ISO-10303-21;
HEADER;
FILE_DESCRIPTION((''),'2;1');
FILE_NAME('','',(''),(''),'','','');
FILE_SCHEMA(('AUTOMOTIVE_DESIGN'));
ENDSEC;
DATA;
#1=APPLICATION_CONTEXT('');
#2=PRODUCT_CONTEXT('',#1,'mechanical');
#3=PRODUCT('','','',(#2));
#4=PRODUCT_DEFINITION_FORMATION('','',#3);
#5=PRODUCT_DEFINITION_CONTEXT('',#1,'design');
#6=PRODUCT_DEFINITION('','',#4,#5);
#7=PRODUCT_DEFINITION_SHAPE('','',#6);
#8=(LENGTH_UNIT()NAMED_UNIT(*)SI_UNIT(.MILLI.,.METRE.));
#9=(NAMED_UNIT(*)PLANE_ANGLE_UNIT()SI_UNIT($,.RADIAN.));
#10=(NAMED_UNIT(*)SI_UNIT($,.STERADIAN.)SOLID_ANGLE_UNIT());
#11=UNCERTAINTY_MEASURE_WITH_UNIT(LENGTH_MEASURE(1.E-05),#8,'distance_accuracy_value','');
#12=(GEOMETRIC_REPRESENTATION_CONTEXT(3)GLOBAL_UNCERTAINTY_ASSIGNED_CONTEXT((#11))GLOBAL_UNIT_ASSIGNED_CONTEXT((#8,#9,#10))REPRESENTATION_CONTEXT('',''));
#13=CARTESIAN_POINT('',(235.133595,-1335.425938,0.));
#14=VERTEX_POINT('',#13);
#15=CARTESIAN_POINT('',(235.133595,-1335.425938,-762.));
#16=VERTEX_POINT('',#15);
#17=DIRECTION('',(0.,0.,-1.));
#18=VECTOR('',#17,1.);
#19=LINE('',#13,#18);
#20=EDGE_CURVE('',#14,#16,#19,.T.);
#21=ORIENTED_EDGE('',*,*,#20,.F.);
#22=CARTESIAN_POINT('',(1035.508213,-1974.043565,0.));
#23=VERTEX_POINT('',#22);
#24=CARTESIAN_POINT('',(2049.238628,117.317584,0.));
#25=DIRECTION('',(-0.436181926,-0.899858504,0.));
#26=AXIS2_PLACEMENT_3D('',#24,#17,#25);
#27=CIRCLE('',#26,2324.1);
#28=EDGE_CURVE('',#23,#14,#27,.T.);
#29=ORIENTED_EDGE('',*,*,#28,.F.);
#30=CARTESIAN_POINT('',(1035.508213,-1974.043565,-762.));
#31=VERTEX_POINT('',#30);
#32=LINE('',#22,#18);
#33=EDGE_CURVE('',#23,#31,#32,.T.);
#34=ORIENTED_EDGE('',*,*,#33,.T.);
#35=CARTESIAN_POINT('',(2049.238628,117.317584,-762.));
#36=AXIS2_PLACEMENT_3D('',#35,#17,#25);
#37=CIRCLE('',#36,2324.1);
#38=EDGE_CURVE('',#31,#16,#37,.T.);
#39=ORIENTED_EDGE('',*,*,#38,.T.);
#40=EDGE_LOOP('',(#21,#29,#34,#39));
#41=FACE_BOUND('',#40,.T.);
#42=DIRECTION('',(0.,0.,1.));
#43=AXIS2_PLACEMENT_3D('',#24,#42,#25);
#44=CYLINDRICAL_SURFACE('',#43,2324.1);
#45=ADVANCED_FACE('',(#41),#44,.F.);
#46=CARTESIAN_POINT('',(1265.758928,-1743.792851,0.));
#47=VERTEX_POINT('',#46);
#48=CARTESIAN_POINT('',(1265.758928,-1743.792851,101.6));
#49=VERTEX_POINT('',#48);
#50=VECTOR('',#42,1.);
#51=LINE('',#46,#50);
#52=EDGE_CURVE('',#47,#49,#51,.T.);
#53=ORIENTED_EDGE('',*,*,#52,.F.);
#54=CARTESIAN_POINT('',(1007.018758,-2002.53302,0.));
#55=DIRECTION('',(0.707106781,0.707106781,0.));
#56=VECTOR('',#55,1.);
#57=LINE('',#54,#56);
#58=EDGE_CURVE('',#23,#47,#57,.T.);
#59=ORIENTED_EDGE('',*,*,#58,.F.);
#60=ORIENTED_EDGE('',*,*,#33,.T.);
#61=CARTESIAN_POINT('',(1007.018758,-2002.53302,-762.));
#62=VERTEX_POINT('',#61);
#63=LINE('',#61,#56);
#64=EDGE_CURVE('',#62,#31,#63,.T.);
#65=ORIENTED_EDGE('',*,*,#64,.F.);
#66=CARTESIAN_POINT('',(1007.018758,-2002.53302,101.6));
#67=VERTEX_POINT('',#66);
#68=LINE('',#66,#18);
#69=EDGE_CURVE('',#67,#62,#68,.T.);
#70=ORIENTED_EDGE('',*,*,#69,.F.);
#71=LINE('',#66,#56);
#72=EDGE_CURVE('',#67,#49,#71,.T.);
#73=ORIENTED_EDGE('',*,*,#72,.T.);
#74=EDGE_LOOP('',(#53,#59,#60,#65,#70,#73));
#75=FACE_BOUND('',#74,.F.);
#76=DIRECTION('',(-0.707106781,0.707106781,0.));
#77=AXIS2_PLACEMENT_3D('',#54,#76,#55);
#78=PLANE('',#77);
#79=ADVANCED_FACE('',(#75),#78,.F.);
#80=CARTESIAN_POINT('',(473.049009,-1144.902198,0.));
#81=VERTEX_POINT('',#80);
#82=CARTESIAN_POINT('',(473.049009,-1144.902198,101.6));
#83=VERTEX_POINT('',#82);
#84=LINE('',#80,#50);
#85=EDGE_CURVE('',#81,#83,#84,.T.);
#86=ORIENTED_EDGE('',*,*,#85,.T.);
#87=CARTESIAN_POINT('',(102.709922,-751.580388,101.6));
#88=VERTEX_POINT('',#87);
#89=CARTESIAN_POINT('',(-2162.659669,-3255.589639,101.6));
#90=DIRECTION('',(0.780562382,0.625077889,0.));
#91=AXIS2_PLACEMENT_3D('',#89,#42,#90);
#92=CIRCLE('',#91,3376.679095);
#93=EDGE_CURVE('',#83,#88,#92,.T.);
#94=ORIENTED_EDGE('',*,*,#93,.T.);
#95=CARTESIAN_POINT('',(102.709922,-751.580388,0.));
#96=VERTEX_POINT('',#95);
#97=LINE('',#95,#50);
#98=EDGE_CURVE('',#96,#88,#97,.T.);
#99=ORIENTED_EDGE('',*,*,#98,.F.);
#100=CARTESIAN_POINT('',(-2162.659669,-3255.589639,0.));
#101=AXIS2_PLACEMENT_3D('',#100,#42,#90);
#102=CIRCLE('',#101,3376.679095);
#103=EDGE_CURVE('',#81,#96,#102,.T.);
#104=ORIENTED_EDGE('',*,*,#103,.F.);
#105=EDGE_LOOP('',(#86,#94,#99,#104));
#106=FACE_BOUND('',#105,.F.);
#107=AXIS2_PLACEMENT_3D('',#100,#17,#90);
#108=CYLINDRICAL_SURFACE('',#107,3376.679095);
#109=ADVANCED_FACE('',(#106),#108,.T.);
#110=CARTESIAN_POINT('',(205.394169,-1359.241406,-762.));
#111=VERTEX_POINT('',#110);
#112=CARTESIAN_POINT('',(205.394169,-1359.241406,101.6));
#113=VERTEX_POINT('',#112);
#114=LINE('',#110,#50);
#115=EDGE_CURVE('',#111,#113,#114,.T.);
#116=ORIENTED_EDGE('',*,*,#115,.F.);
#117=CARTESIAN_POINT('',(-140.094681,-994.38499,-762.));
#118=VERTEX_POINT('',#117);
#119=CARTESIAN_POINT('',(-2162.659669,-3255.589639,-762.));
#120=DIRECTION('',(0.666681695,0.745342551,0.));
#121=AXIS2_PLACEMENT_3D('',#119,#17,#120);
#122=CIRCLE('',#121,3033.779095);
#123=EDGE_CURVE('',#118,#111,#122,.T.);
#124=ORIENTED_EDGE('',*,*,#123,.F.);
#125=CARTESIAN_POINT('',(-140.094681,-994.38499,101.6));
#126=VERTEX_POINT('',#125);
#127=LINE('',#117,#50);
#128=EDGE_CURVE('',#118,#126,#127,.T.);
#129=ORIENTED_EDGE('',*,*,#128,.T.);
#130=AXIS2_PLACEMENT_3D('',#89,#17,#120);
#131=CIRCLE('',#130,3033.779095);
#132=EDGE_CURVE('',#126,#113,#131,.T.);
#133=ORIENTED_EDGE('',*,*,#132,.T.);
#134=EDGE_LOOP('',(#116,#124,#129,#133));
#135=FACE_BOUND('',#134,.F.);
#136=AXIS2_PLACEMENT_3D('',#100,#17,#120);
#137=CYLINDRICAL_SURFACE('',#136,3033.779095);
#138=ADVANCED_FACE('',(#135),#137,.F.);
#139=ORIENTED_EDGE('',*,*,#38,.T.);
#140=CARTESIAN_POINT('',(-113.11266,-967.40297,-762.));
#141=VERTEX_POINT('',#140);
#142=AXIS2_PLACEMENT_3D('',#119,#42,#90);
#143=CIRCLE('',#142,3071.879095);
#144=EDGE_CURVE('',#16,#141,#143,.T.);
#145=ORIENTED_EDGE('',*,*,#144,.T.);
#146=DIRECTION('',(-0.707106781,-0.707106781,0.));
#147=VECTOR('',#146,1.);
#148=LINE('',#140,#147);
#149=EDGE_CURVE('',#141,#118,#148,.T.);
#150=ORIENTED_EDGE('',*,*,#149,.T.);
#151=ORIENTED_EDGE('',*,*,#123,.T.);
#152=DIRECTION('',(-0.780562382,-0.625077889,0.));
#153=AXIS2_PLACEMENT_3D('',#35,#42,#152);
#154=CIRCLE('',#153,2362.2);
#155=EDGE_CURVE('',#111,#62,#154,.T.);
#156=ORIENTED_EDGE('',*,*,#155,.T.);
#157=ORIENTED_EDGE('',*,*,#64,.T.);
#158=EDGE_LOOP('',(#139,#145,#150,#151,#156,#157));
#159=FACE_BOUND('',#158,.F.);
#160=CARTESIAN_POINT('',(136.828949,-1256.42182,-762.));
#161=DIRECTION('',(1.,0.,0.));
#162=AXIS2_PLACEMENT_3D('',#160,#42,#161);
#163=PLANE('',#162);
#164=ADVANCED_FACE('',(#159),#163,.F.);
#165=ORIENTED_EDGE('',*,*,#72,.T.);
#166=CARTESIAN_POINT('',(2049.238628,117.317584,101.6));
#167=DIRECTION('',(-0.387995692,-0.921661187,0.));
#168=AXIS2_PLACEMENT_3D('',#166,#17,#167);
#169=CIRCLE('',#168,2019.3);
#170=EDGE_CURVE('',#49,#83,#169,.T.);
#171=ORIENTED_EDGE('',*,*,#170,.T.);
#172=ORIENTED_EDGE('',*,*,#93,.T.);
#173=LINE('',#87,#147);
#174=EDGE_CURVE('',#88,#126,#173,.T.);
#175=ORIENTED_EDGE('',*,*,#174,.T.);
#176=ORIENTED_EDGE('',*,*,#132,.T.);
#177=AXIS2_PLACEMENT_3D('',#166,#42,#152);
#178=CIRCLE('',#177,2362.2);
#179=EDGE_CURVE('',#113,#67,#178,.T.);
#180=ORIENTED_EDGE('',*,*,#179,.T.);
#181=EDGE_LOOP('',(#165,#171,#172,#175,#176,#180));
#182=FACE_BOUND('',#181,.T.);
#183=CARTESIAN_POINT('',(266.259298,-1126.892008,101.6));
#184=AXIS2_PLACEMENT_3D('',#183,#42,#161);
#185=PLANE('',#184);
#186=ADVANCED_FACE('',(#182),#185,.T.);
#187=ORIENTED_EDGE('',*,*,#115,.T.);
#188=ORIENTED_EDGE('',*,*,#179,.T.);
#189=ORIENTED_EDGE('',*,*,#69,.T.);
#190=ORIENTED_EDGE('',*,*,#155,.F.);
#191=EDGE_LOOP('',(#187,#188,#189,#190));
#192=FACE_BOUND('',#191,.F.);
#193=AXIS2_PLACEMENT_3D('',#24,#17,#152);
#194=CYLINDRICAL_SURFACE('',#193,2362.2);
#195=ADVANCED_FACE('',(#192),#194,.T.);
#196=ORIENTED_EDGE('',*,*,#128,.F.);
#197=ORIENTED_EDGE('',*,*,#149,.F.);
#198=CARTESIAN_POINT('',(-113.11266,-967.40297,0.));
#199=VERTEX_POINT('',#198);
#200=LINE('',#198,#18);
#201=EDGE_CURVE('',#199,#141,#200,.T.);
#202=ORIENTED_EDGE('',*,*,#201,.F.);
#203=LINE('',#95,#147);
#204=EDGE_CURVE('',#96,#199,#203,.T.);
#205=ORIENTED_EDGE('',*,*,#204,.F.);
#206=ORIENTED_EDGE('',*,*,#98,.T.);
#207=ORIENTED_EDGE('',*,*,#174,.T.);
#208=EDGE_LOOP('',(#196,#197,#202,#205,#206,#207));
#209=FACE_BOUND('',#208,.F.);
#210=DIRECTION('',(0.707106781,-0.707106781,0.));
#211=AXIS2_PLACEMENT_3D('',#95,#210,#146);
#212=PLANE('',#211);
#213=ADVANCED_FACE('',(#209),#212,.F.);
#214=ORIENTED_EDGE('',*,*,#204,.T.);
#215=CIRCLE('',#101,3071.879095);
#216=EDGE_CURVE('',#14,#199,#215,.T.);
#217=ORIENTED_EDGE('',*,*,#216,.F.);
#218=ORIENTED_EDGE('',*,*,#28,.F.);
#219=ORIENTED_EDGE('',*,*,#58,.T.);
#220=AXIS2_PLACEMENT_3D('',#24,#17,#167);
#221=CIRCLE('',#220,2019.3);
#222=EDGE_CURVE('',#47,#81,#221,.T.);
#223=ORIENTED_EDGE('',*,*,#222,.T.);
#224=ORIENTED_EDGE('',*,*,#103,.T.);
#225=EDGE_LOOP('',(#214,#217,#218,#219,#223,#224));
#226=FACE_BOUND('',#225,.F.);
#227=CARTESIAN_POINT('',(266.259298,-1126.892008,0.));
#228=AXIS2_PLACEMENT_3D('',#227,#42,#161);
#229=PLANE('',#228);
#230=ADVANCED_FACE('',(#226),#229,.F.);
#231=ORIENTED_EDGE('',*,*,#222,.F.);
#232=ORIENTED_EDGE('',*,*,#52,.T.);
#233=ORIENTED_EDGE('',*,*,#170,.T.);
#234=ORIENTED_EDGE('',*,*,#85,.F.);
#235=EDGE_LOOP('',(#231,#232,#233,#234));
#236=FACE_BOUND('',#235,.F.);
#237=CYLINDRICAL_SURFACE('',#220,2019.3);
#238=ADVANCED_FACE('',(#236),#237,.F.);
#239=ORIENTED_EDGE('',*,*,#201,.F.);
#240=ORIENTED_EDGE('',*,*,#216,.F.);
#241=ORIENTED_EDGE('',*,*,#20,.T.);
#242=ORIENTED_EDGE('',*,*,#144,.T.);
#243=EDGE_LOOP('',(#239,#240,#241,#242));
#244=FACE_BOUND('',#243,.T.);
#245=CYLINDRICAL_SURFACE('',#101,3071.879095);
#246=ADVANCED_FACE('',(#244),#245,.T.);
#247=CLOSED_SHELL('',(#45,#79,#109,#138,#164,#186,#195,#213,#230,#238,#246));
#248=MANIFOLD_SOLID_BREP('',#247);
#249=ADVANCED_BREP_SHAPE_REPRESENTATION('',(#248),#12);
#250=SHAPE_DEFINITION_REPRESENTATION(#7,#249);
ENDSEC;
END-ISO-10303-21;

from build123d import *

# Parameters (mm, degrees)
F1_DEPTH = 762
F2_DEPTH = 101.6


with BuildPart() as f1:
    # F0 (on Top) → F1 (new body)
    with BuildSketch(Plane.XY):
        with BuildLine():
            ThreePointArc((235.1335953361, -1335.4259384174), (68.6110681715, -1144.2222922582), (-113.1126602512, -967.4029695416))
            Line((-113.1126602512, -967.4029695417), (-140.0946805009, -994.3849897914))
            ThreePointArc((-140.0946805009, -994.3849897914), (40.2165122878, -1169.6480942039), (205.3941685761, -1359.241405996))
            ThreePointArc((205.3941685761, -1359.241405996), (289.4835438119, -1458.5158098376), (378.9109891767, -1553.0100546421))
            Line((378.9109891767, -1553.0100546421), (405.8517575399, -1526.0692862789))
            ThreePointArc((405.8517575399, -1526.0692862788), (317.8666903261, -1433.099142197), (235.1335953361, -1335.4259384174))
        make_face()
        with BuildLine():
            ThreePointArc((1035.5082130261, -1974.043565321), (701.930828787, -1776.4095625199), (405.8517575399, -1526.0692862788))
            Line((405.8517575399, -1526.0692862789), (378.9109891767, -1553.0100546421))
            ThreePointArc((378.9109891767, -1553.0100546421), (674.4672939822, -1803.6177664148), (1007.0187581608, -2002.5330201863))
            Line((1007.0187581608, -2002.5330201863), (1035.5082130261, -1974.043565321))
        make_face()
    extrude(amount=-F1_DEPTH)

    # F0 (on Top) → F2 (join)
    with BuildSketch(Plane.XY):
        with BuildLine():
            ThreePointArc((473.049009416, -1144.9021977887), (295.7580255932, -940.8230955263), (102.709921508, -751.5803877826))
            Line((102.709921508, -751.5803877825), (-95.1252118494, -949.4155211399))
            ThreePointArc((-95.1252118494, -949.4155211398), (87.5406120902, -1127.2718787812), (254.9598798427, -1319.5489600317))
            ThreePointArc((254.9598798427, -1319.5489600317), (336.7887880023, -1416.1546971033), (423.8122697821, -1508.1087740368))
            Line((423.8122697821, -1508.1087740367), (621.3779044456, -1310.5431393732))
            ThreePointArc((621.3779044456, -1310.5431393732), (544.9318624402, -1229.7658010726), (473.049009416, -1144.9021977887))
        make_face()
        with BuildLine():
            ThreePointArc((254.9598798427, -1319.5489600317), (87.5406120902, -1127.2718787812), (-95.1252118494, -949.4155211398))
            Line((-95.1252118494, -949.4155211399), (-113.1126602512, -967.4029695417))
            ThreePointArc((-113.1126602512, -967.4029695416), (68.6110681715, -1144.2222922582), (235.1335953361, -1335.4259384174))
            ThreePointArc((235.1335953361, -1335.4259384174), (317.8666903261, -1433.099142197), (405.8517575399, -1526.0692862788))
            Line((405.8517575399, -1526.0692862789), (423.8122697821, -1508.1087740367))
            ThreePointArc((423.8122697821, -1508.1087740368), (336.7887880023, -1416.1546971033), (254.9598798427, -1319.5489600317))
        make_face()
        with BuildLine():
            ThreePointArc((235.1335953361, -1335.4259384174), (68.6110681715, -1144.2222922582), (-113.1126602512, -967.4029695416))
            Line((-113.1126602512, -967.4029695417), (-140.0946805009, -994.3849897914))
            ThreePointArc((-140.0946805009, -994.3849897914), (40.2165122878, -1169.6480942039), (205.3941685761, -1359.241405996))
            ThreePointArc((205.3941685761, -1359.241405996), (289.4835438119, -1458.5158098376), (378.9109891767, -1553.0100546421))
            Line((378.9109891767, -1553.0100546421), (405.8517575399, -1526.0692862789))
            ThreePointArc((405.8517575399, -1526.0692862788), (317.8666903261, -1433.099142197), (235.1335953361, -1335.4259384174))
        make_face()
        with BuildLine():
            ThreePointArc((1265.758927662, -1743.7928506851), (922.5474787999, -1558.4328584624), (621.3779044456, -1310.5431393732))
            Line((621.3779044456, -1310.5431393732), (423.8122697821, -1508.1087740367))
            ThreePointArc((423.8122697821, -1508.1087740368), (720.2517410034, -1758.2664704913), (1054.5322817128, -1955.0194966343))
            Line((1054.5322817128, -1955.0194966343), (1265.758927662, -1743.7928506851))
        make_face()
        with BuildLine():
            ThreePointArc((1054.5322817128, -1955.0194966343), (720.2517410034, -1758.2664704913), (423.8122697821, -1508.1087740368))
            Line((423.8122697821, -1508.1087740367), (405.8517575399, -1526.0692862789))
            ThreePointArc((405.8517575399, -1526.0692862788), (701.930828787, -1776.4095625199), (1035.5082130261, -1974.043565321))
            Line((1035.5082130261, -1974.043565321), (1054.5322817128, -1955.0194966343))
        make_face()
        with BuildLine():
            ThreePointArc((1035.5082130261, -1974.043565321), (701.930828787, -1776.4095625199), (405.8517575399, -1526.0692862788))
            Line((405.8517575399, -1526.0692862789), (378.9109891767, -1553.0100546421))
            ThreePointArc((378.9109891767, -1553.0100546421), (674.4672939822, -1803.6177664148), (1007.0187581608, -2002.5330201863))
            Line((1007.0187581608, -2002.5330201863), (1035.5082130261, -1974.043565321))
        make_face()
    extrude(amount=F2_DEPTH)


solid = f1.part
